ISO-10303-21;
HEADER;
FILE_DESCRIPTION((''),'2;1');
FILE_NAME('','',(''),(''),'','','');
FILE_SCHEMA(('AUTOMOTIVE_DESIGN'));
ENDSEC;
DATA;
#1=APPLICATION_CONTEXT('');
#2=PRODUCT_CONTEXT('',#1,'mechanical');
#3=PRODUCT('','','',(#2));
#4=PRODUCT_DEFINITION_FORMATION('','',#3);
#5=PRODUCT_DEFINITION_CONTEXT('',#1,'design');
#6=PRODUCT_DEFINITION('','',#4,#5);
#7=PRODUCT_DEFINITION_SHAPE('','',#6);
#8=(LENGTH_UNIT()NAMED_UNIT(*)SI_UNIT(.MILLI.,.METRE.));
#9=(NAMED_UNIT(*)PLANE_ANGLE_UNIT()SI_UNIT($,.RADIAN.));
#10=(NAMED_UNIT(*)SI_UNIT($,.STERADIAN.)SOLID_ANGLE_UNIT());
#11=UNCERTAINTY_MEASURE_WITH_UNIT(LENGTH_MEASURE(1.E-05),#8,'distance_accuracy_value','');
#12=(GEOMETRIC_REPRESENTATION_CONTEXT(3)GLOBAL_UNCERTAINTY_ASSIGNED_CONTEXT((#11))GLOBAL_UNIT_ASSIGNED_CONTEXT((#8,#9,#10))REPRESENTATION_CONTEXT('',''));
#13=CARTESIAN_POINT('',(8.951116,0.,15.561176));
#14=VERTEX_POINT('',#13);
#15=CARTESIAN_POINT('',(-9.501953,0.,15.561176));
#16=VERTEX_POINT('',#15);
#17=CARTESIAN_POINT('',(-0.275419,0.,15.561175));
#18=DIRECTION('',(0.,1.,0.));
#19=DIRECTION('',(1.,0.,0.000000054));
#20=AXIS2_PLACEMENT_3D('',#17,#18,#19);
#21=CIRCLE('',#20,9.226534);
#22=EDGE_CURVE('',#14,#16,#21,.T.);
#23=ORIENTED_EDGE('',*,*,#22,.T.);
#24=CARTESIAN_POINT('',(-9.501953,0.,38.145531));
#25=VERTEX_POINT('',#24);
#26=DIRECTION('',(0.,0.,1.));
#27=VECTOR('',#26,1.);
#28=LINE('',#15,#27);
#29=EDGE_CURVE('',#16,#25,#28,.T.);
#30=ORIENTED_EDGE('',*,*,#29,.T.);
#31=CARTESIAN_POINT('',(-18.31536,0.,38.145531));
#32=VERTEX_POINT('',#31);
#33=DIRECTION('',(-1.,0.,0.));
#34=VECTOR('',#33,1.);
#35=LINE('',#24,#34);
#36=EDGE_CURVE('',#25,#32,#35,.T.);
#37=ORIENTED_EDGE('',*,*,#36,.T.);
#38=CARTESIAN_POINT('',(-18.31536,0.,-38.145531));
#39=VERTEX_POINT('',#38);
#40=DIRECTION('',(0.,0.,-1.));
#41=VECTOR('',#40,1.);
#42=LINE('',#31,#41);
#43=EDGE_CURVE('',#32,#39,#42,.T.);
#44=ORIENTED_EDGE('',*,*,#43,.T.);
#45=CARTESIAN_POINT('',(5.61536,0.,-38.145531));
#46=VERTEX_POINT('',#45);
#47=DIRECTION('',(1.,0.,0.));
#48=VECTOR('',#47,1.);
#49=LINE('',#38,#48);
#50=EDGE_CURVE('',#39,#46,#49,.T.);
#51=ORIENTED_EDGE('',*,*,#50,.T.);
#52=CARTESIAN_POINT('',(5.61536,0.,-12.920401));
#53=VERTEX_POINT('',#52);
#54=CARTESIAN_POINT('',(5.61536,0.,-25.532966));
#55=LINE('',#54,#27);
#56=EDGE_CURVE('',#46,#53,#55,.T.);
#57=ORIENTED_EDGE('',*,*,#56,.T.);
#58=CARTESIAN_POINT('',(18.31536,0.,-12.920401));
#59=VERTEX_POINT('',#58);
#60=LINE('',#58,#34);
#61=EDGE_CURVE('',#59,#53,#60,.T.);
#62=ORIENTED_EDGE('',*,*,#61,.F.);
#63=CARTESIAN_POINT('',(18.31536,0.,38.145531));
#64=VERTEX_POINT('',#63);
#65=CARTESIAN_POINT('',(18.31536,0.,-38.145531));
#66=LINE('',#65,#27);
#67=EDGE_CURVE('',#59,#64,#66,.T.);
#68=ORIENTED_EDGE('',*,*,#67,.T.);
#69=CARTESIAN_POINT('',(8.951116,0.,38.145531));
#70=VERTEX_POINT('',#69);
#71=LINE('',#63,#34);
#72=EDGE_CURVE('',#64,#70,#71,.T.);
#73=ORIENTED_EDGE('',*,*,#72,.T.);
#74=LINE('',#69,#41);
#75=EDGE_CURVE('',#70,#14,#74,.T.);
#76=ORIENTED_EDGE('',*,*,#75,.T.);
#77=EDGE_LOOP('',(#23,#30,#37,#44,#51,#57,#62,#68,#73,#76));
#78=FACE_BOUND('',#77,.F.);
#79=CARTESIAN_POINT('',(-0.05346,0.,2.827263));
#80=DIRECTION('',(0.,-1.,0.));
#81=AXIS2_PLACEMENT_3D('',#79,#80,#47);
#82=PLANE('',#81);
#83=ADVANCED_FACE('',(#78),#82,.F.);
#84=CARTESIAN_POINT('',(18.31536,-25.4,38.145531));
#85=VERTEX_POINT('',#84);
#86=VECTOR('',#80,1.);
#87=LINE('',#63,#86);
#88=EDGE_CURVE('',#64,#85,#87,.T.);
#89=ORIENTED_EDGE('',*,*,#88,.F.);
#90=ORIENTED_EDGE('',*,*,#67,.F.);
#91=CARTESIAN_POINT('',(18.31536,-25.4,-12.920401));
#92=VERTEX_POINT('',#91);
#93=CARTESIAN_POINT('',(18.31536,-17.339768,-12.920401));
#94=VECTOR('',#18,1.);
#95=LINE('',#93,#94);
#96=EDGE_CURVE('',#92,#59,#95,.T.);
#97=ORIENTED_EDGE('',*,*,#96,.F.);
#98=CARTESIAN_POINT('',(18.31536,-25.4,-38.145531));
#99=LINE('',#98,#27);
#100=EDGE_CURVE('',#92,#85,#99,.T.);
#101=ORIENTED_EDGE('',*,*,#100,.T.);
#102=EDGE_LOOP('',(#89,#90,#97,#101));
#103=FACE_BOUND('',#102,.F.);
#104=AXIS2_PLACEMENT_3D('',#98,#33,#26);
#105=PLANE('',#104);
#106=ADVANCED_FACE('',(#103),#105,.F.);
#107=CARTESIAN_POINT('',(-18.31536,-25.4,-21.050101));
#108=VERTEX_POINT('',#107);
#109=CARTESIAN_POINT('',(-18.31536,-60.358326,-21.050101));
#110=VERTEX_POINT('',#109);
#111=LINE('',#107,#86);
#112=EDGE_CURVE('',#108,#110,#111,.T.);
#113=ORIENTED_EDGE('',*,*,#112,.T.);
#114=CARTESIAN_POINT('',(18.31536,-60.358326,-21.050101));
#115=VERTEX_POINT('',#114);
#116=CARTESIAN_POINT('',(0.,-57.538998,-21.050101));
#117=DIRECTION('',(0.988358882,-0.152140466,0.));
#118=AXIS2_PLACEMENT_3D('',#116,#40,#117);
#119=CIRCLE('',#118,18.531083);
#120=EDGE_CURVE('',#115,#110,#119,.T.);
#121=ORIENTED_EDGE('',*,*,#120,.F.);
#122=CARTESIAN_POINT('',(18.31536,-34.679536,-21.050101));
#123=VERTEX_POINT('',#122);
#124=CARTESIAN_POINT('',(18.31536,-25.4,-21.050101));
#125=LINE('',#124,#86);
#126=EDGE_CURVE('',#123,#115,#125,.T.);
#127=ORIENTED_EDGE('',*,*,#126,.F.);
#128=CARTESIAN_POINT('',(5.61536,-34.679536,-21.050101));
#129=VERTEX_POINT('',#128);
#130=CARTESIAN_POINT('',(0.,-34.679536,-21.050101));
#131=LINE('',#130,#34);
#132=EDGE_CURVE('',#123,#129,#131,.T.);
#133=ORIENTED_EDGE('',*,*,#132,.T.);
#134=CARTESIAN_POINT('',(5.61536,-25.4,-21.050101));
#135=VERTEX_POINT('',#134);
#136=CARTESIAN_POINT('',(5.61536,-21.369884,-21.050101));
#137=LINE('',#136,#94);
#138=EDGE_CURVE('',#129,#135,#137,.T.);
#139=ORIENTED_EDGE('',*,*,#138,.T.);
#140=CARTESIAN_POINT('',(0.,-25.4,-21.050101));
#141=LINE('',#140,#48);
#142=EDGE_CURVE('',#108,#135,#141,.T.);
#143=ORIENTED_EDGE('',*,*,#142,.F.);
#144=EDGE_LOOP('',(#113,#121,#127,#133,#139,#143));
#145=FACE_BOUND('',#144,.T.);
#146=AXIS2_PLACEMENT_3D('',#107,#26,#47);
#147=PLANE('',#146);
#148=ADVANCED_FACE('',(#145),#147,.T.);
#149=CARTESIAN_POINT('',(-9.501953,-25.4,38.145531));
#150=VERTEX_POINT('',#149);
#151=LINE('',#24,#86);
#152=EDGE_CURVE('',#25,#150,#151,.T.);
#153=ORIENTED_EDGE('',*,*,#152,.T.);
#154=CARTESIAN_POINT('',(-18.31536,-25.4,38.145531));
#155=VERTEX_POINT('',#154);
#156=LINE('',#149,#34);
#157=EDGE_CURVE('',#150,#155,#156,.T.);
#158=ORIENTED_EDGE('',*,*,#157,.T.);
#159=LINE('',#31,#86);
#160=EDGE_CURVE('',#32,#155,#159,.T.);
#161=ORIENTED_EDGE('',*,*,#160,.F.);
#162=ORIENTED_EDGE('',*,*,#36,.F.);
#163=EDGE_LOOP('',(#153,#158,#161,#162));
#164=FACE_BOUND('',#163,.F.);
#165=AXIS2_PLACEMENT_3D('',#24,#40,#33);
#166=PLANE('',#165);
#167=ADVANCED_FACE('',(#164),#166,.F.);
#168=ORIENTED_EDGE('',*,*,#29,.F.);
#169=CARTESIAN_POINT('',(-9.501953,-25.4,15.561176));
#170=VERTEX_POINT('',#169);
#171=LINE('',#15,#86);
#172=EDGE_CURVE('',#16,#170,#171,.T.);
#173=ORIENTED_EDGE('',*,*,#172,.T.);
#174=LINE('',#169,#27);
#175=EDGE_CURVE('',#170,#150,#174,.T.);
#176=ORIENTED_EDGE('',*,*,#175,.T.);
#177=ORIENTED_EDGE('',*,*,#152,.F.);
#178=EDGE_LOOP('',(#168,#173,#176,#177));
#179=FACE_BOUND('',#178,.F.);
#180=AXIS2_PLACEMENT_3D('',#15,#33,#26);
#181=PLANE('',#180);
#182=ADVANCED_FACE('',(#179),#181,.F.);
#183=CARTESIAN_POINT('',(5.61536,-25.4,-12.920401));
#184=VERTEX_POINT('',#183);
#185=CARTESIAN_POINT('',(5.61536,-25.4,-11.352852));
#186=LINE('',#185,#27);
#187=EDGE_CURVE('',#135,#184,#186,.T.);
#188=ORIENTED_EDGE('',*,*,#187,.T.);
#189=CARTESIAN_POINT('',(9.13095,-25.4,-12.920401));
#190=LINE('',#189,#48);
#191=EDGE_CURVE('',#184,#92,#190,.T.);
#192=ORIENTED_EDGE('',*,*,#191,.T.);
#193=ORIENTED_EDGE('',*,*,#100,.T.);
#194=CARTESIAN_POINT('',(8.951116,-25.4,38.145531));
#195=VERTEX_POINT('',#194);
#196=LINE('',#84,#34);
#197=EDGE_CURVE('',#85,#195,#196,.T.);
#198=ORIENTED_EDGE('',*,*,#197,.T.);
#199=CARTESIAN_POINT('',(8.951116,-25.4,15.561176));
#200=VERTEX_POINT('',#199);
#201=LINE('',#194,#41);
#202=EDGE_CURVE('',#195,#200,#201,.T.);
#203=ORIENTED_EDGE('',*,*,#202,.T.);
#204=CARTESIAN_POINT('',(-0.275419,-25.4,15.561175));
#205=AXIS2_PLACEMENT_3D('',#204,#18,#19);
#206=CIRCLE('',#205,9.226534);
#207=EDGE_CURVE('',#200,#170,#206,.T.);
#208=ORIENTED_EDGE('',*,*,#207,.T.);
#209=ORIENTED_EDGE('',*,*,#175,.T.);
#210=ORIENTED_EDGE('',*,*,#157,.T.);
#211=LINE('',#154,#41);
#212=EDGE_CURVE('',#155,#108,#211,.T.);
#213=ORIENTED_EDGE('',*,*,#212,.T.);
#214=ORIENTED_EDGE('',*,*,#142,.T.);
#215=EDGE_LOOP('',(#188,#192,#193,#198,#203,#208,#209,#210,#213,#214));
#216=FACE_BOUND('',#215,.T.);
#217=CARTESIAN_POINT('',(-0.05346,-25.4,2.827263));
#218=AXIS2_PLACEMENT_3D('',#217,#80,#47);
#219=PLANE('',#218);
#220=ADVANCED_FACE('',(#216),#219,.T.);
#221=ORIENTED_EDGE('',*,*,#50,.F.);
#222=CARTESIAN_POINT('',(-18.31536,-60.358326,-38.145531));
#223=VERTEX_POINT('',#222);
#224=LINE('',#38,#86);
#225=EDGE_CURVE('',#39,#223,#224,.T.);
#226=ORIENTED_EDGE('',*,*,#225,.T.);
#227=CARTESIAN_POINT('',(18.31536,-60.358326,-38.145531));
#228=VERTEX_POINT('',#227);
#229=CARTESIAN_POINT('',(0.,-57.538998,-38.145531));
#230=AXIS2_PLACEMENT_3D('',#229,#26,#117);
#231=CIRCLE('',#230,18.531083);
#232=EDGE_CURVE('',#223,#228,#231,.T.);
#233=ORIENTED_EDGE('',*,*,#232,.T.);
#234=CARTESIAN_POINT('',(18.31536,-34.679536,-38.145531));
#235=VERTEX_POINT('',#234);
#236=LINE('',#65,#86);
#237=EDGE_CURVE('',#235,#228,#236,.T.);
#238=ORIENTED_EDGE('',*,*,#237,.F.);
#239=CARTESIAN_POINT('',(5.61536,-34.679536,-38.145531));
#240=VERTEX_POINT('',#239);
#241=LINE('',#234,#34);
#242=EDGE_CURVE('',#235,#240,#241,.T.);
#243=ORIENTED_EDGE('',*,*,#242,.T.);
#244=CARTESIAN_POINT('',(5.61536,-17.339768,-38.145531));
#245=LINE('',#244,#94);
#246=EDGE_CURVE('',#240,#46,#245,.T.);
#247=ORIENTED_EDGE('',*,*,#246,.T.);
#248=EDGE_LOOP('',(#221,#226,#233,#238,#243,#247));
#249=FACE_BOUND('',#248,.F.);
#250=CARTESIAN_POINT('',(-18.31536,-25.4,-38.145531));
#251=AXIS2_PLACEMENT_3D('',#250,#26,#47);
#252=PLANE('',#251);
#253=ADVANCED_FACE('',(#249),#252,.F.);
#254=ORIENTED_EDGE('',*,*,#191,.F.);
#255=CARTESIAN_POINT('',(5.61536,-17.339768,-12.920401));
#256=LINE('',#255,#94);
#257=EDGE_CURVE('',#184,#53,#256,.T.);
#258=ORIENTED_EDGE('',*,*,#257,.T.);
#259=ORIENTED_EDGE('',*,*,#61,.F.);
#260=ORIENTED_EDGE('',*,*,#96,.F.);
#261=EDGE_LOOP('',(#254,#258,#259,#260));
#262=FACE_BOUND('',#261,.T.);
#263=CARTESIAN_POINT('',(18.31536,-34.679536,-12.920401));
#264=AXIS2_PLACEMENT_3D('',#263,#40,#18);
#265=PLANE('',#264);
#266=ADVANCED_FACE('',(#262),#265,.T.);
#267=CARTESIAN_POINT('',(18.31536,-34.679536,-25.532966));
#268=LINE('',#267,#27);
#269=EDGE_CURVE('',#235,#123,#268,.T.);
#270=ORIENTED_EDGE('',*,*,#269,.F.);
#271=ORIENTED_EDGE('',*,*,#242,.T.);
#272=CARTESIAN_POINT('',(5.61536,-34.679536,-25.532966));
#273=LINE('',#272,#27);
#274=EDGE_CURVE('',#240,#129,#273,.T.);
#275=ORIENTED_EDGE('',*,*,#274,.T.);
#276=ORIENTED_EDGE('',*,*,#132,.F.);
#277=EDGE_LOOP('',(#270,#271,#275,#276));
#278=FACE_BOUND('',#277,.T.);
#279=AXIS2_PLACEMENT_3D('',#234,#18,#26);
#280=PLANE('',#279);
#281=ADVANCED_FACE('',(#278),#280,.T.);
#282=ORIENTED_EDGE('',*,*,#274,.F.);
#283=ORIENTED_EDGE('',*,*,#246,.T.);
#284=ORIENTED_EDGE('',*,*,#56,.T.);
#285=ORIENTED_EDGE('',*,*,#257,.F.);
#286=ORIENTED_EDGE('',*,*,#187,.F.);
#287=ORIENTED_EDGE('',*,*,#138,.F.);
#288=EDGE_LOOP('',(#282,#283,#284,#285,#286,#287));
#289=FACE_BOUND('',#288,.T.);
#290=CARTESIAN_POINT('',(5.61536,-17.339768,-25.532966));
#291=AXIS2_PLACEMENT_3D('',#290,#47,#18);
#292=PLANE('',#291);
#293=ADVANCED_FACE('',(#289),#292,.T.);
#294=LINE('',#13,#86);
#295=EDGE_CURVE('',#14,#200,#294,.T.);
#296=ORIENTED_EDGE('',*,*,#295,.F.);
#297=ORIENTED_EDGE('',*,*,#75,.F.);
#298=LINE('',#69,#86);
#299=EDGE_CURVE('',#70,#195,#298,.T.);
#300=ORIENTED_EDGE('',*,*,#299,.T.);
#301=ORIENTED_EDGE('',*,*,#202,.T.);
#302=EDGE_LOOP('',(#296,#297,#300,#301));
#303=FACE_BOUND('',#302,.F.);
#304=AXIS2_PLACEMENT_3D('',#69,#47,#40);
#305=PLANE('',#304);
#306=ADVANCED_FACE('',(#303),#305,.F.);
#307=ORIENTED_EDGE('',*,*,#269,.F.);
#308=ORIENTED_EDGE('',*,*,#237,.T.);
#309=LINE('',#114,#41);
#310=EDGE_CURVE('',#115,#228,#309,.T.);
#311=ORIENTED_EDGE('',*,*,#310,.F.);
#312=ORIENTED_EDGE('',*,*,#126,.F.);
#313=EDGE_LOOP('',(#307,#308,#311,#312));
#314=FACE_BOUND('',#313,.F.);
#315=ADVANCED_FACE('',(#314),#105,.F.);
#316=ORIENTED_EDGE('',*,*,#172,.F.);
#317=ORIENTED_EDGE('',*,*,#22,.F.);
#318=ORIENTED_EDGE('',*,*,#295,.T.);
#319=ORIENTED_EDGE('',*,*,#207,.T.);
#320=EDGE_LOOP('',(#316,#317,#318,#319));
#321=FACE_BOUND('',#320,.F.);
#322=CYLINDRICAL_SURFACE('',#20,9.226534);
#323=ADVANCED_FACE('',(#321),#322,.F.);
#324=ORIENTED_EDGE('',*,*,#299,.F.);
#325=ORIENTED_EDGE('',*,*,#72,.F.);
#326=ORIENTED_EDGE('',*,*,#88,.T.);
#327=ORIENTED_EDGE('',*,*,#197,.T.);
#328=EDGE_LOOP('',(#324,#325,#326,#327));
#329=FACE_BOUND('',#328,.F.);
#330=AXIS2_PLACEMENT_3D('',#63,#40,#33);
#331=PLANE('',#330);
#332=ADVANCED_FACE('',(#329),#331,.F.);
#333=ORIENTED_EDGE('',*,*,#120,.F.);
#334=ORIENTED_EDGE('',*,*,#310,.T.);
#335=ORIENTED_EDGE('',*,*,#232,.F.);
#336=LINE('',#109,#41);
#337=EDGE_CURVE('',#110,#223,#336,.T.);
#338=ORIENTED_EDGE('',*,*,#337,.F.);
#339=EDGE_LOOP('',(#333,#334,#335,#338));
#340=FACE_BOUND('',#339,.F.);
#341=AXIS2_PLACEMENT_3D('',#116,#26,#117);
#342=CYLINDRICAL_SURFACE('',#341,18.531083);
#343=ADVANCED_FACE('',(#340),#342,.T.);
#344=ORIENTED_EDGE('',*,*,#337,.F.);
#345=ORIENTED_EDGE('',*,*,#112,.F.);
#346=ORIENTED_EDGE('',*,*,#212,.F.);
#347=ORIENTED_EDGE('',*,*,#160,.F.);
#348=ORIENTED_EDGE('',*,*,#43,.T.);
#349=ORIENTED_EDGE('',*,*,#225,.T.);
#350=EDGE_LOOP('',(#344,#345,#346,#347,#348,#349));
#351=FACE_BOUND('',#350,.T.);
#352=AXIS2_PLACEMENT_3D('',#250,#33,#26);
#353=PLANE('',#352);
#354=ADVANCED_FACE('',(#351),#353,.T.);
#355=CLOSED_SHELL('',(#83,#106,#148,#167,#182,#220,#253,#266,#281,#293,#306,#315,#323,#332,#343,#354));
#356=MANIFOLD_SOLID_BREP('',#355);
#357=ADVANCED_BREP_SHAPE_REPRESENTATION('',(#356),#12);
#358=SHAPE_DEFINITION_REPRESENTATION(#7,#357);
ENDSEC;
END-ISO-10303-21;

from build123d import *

# Parameters (mm, degrees)
F1_DEPTH = 25.4
F2_W     = 36.63072
F2_H     = 17.09543
F3_DEPTH = 50.8
F5_DEPTH = 17.09643
F6_W     = 34.679536
F6_H     = 25.22513
F7_DEPTH = 12.7


with BuildPart() as f1:
    # F0 (on Front) → F1 (new body)
    with BuildSketch(Plane.XZ):
        with BuildLine():
            Line((-9.501953, 38.145531), (-18.31536, 38.145531))
            Line((-18.31536, 38.145531), (-18.31536, -38.145531))
            Line((-18.31536, -38.145531), (18.31536, -38.145531))
            Line((18.31536, -38.145531), (18.31536, 38.145531))
            Line((18.31536, 38.145531), (8.951116, 38.145531))
            Line((8.951116, 38.145531), (8.951116, 15.561176))
            ThreePointArc((8.951116, 15.561176), (-0.275418, 6.334641), (-9.501953, 15.561176))
            Line((-9.501953, 15.561176), (-9.501953, 38.145531))
        make_face()
    extrude(amount=F1_DEPTH)

    # F2 (on face) → F3 (join)
    with BuildSketch(Plane.XZ.offset(25.4)):
        with Locations((0, -29.597816)):
            Rectangle(F2_W, F2_H)
    extrude(amount=F3_DEPTH)

    # F4 (on face) → F5 (cut, through all)
    with BuildSketch(Plane.XY.offset(-21.050101)):
        with BuildLine():
            ThreePointArc((18.31536, -60.358326), (0, -76.070081), (-18.31536, -60.358326))
            Line((-18.31536, -60.358326), (-18.31536, -76.2))
            Line((-18.31536, -76.2), (18.31536, -76.2))
            Line((18.31536, -76.2), (18.31536, -60.358326))
        make_face()
    extrude(amount=-F5_DEPTH, mode=Mode.SUBTRACT)

    # F6 (on face) → F7 (cut)
    with BuildSketch(Plane.YZ.offset(18.31536)):
        with Locations((-17.339768, -25.532966)):
            Rectangle(F6_W, F6_H)
    extrude(amount=-F7_DEPTH, mode=Mode.SUBTRACT)


solid = f1.part
